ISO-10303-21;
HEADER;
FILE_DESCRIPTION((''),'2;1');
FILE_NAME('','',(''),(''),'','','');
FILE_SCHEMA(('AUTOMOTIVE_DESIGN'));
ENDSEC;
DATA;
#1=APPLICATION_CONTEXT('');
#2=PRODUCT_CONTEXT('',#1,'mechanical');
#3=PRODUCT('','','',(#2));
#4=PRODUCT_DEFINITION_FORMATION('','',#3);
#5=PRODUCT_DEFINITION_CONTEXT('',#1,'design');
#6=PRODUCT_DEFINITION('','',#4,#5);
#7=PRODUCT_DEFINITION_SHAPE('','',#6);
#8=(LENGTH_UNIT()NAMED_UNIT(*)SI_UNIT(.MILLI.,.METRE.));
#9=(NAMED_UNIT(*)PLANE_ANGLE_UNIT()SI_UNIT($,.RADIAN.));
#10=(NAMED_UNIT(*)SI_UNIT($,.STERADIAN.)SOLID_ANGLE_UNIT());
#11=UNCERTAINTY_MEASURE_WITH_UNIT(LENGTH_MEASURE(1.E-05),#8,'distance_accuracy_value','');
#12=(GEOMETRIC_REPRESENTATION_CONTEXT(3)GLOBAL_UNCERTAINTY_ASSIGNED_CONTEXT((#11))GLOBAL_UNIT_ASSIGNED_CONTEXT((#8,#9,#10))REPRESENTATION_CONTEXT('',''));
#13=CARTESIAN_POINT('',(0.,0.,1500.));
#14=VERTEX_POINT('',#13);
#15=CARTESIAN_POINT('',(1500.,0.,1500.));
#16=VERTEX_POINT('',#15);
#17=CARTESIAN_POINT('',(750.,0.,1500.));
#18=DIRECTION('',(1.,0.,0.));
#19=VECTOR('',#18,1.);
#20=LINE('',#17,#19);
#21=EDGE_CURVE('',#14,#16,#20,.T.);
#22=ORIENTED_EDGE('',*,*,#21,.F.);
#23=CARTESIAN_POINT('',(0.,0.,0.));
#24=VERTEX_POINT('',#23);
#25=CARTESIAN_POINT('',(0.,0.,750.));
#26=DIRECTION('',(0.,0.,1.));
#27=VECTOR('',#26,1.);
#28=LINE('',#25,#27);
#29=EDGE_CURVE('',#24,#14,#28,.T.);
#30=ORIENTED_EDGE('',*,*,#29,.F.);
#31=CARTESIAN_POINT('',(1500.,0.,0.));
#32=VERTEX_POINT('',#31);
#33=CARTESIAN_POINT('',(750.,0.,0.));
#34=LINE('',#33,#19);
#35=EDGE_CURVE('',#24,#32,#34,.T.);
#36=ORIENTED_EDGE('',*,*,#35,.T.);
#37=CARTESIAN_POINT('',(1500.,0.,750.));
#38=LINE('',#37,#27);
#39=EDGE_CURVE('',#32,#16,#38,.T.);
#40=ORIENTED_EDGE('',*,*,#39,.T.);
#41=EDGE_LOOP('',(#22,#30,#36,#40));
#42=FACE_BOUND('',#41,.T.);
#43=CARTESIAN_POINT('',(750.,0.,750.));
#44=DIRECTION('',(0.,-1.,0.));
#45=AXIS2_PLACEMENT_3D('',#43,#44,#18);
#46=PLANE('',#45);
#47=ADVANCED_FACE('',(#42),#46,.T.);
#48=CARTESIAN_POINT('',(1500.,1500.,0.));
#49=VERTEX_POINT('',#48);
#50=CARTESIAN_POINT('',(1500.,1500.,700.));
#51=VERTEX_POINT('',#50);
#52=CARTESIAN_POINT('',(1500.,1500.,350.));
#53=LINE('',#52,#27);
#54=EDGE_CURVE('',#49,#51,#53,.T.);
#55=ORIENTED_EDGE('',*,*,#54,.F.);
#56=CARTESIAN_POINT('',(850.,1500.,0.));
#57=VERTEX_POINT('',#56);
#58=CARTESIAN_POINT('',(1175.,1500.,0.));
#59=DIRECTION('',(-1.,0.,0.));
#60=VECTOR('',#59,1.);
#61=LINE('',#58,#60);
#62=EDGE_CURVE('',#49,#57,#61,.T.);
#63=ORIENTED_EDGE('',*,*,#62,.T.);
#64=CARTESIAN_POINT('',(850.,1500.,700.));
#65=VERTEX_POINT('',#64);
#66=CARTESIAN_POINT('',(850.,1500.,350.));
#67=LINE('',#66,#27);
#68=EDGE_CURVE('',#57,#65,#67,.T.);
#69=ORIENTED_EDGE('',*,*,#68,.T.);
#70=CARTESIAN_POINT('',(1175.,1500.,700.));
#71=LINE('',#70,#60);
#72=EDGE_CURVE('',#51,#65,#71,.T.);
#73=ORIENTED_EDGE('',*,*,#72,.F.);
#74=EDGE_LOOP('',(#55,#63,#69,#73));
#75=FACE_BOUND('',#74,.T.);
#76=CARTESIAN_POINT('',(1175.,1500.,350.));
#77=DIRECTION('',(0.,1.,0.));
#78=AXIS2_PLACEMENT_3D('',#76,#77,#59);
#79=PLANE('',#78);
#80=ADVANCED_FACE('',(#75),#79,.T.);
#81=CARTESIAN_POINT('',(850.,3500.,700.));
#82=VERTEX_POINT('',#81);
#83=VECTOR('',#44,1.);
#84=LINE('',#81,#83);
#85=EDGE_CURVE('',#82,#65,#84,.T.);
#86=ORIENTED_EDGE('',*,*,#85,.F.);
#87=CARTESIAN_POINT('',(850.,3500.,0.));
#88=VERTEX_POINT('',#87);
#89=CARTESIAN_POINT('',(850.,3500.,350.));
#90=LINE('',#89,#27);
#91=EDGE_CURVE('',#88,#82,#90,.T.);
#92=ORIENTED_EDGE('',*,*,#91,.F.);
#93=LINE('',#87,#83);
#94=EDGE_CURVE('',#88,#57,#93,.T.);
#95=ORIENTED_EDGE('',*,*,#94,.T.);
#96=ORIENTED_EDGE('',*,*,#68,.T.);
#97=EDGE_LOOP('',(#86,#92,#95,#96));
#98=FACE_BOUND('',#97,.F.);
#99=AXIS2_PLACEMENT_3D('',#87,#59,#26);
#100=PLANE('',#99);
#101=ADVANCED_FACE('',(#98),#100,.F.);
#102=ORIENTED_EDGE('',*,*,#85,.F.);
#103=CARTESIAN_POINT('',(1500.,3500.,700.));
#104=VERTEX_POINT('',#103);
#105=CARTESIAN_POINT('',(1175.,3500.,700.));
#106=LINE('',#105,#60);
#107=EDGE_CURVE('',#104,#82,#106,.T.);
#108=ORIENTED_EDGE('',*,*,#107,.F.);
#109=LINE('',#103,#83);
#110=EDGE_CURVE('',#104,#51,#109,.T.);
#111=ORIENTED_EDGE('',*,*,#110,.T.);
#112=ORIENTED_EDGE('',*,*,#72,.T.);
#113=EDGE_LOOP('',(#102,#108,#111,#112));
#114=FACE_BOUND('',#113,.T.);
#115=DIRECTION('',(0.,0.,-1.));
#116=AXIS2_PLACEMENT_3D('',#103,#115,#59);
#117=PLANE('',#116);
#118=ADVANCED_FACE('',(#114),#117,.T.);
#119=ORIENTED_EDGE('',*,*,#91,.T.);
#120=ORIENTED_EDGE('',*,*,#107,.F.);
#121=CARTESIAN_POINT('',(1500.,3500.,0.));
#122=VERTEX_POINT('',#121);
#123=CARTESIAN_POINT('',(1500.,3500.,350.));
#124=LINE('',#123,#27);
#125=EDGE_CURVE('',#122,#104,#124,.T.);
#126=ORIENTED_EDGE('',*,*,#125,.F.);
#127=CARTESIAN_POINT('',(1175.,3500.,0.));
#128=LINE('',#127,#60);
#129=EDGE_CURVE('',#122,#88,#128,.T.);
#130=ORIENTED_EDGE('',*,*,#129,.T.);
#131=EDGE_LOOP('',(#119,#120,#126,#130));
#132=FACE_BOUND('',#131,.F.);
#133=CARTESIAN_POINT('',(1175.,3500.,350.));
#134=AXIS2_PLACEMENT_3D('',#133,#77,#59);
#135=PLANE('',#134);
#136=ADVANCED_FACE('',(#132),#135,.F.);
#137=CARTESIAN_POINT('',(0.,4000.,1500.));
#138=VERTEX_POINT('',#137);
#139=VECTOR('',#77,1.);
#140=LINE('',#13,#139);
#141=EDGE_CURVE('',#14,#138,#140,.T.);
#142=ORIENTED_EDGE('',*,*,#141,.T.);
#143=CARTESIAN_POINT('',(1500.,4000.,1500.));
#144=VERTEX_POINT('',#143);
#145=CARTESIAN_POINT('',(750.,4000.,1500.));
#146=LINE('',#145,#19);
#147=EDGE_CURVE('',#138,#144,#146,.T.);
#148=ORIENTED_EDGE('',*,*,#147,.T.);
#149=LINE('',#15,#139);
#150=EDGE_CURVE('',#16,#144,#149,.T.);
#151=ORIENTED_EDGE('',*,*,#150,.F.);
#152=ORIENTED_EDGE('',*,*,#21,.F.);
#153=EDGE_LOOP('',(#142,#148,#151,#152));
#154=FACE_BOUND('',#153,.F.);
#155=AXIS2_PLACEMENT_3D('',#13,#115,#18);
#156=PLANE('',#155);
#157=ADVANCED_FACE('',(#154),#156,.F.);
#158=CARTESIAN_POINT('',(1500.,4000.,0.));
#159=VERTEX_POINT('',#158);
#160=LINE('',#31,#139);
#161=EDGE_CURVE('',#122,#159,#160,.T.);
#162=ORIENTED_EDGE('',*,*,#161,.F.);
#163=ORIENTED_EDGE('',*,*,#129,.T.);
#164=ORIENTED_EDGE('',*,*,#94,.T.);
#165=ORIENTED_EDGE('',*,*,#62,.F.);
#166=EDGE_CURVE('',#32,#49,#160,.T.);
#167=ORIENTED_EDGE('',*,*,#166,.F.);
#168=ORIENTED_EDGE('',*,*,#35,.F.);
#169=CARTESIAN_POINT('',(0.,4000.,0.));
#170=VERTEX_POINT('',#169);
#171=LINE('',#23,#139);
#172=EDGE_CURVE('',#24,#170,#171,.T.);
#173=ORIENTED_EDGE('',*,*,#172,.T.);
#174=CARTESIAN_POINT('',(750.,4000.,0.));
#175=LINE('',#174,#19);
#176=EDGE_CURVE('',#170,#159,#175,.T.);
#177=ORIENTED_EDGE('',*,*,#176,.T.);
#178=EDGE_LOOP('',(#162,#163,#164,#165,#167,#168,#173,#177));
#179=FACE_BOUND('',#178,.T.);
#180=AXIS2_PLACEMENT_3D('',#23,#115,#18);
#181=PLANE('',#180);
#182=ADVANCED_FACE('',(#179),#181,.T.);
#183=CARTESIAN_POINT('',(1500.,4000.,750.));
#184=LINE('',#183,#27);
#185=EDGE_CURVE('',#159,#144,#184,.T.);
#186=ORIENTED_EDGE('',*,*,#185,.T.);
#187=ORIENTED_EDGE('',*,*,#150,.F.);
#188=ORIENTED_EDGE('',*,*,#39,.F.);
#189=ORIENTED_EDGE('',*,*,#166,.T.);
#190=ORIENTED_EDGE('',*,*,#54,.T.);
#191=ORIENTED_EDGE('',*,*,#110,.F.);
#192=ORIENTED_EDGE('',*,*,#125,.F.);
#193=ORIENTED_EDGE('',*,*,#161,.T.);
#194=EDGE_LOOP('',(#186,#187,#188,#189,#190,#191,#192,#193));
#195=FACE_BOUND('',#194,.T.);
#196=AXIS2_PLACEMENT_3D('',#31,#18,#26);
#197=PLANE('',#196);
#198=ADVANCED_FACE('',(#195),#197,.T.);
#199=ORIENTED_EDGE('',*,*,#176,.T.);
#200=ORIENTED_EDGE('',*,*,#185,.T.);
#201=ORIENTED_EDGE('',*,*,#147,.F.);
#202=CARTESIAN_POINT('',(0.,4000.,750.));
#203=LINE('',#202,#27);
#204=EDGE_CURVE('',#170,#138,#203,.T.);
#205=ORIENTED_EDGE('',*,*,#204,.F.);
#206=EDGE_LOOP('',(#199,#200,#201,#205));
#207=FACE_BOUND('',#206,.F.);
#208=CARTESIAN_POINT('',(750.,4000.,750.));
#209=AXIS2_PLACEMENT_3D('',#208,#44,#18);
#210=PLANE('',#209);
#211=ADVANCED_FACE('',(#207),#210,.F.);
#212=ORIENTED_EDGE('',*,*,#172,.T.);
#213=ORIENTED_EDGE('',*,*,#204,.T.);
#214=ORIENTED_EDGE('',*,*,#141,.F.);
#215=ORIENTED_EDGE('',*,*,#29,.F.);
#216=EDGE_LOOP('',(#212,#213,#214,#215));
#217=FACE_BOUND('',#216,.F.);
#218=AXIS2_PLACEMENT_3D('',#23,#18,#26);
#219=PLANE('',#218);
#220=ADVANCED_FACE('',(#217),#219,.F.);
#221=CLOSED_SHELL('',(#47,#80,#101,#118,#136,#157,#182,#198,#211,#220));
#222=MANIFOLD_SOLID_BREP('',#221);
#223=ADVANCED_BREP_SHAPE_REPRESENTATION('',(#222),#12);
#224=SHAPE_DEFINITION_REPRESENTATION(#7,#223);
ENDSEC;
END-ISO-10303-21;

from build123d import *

# Parameters (mm, degrees)
F0_W     = 1500
F0_H     = 1500
F1_DEPTH = 4000
F3_W     = 650
F3_H     = 700
F4_DEPTH = 2000


with BuildPart() as f1:
    # F0 (on Front) → F1 (new body)
    with BuildSketch(Plane.XZ):
        with Locations((750, 750)):
            Rectangle(F0_W, F0_H)
    extrude(amount=-F1_DEPTH)

    # F3 (on offset) → F4 (cut)
    with BuildSketch(Plane(origin=(0, 3500, 0), x_dir=(-1, 0, 0), z_dir=(0, 1, 0))):
        with Locations((-1175, 350)):
            Rectangle(F3_W, F3_H)
    extrude(amount=-F4_DEPTH, mode=Mode.SUBTRACT)


solid = f1.part
